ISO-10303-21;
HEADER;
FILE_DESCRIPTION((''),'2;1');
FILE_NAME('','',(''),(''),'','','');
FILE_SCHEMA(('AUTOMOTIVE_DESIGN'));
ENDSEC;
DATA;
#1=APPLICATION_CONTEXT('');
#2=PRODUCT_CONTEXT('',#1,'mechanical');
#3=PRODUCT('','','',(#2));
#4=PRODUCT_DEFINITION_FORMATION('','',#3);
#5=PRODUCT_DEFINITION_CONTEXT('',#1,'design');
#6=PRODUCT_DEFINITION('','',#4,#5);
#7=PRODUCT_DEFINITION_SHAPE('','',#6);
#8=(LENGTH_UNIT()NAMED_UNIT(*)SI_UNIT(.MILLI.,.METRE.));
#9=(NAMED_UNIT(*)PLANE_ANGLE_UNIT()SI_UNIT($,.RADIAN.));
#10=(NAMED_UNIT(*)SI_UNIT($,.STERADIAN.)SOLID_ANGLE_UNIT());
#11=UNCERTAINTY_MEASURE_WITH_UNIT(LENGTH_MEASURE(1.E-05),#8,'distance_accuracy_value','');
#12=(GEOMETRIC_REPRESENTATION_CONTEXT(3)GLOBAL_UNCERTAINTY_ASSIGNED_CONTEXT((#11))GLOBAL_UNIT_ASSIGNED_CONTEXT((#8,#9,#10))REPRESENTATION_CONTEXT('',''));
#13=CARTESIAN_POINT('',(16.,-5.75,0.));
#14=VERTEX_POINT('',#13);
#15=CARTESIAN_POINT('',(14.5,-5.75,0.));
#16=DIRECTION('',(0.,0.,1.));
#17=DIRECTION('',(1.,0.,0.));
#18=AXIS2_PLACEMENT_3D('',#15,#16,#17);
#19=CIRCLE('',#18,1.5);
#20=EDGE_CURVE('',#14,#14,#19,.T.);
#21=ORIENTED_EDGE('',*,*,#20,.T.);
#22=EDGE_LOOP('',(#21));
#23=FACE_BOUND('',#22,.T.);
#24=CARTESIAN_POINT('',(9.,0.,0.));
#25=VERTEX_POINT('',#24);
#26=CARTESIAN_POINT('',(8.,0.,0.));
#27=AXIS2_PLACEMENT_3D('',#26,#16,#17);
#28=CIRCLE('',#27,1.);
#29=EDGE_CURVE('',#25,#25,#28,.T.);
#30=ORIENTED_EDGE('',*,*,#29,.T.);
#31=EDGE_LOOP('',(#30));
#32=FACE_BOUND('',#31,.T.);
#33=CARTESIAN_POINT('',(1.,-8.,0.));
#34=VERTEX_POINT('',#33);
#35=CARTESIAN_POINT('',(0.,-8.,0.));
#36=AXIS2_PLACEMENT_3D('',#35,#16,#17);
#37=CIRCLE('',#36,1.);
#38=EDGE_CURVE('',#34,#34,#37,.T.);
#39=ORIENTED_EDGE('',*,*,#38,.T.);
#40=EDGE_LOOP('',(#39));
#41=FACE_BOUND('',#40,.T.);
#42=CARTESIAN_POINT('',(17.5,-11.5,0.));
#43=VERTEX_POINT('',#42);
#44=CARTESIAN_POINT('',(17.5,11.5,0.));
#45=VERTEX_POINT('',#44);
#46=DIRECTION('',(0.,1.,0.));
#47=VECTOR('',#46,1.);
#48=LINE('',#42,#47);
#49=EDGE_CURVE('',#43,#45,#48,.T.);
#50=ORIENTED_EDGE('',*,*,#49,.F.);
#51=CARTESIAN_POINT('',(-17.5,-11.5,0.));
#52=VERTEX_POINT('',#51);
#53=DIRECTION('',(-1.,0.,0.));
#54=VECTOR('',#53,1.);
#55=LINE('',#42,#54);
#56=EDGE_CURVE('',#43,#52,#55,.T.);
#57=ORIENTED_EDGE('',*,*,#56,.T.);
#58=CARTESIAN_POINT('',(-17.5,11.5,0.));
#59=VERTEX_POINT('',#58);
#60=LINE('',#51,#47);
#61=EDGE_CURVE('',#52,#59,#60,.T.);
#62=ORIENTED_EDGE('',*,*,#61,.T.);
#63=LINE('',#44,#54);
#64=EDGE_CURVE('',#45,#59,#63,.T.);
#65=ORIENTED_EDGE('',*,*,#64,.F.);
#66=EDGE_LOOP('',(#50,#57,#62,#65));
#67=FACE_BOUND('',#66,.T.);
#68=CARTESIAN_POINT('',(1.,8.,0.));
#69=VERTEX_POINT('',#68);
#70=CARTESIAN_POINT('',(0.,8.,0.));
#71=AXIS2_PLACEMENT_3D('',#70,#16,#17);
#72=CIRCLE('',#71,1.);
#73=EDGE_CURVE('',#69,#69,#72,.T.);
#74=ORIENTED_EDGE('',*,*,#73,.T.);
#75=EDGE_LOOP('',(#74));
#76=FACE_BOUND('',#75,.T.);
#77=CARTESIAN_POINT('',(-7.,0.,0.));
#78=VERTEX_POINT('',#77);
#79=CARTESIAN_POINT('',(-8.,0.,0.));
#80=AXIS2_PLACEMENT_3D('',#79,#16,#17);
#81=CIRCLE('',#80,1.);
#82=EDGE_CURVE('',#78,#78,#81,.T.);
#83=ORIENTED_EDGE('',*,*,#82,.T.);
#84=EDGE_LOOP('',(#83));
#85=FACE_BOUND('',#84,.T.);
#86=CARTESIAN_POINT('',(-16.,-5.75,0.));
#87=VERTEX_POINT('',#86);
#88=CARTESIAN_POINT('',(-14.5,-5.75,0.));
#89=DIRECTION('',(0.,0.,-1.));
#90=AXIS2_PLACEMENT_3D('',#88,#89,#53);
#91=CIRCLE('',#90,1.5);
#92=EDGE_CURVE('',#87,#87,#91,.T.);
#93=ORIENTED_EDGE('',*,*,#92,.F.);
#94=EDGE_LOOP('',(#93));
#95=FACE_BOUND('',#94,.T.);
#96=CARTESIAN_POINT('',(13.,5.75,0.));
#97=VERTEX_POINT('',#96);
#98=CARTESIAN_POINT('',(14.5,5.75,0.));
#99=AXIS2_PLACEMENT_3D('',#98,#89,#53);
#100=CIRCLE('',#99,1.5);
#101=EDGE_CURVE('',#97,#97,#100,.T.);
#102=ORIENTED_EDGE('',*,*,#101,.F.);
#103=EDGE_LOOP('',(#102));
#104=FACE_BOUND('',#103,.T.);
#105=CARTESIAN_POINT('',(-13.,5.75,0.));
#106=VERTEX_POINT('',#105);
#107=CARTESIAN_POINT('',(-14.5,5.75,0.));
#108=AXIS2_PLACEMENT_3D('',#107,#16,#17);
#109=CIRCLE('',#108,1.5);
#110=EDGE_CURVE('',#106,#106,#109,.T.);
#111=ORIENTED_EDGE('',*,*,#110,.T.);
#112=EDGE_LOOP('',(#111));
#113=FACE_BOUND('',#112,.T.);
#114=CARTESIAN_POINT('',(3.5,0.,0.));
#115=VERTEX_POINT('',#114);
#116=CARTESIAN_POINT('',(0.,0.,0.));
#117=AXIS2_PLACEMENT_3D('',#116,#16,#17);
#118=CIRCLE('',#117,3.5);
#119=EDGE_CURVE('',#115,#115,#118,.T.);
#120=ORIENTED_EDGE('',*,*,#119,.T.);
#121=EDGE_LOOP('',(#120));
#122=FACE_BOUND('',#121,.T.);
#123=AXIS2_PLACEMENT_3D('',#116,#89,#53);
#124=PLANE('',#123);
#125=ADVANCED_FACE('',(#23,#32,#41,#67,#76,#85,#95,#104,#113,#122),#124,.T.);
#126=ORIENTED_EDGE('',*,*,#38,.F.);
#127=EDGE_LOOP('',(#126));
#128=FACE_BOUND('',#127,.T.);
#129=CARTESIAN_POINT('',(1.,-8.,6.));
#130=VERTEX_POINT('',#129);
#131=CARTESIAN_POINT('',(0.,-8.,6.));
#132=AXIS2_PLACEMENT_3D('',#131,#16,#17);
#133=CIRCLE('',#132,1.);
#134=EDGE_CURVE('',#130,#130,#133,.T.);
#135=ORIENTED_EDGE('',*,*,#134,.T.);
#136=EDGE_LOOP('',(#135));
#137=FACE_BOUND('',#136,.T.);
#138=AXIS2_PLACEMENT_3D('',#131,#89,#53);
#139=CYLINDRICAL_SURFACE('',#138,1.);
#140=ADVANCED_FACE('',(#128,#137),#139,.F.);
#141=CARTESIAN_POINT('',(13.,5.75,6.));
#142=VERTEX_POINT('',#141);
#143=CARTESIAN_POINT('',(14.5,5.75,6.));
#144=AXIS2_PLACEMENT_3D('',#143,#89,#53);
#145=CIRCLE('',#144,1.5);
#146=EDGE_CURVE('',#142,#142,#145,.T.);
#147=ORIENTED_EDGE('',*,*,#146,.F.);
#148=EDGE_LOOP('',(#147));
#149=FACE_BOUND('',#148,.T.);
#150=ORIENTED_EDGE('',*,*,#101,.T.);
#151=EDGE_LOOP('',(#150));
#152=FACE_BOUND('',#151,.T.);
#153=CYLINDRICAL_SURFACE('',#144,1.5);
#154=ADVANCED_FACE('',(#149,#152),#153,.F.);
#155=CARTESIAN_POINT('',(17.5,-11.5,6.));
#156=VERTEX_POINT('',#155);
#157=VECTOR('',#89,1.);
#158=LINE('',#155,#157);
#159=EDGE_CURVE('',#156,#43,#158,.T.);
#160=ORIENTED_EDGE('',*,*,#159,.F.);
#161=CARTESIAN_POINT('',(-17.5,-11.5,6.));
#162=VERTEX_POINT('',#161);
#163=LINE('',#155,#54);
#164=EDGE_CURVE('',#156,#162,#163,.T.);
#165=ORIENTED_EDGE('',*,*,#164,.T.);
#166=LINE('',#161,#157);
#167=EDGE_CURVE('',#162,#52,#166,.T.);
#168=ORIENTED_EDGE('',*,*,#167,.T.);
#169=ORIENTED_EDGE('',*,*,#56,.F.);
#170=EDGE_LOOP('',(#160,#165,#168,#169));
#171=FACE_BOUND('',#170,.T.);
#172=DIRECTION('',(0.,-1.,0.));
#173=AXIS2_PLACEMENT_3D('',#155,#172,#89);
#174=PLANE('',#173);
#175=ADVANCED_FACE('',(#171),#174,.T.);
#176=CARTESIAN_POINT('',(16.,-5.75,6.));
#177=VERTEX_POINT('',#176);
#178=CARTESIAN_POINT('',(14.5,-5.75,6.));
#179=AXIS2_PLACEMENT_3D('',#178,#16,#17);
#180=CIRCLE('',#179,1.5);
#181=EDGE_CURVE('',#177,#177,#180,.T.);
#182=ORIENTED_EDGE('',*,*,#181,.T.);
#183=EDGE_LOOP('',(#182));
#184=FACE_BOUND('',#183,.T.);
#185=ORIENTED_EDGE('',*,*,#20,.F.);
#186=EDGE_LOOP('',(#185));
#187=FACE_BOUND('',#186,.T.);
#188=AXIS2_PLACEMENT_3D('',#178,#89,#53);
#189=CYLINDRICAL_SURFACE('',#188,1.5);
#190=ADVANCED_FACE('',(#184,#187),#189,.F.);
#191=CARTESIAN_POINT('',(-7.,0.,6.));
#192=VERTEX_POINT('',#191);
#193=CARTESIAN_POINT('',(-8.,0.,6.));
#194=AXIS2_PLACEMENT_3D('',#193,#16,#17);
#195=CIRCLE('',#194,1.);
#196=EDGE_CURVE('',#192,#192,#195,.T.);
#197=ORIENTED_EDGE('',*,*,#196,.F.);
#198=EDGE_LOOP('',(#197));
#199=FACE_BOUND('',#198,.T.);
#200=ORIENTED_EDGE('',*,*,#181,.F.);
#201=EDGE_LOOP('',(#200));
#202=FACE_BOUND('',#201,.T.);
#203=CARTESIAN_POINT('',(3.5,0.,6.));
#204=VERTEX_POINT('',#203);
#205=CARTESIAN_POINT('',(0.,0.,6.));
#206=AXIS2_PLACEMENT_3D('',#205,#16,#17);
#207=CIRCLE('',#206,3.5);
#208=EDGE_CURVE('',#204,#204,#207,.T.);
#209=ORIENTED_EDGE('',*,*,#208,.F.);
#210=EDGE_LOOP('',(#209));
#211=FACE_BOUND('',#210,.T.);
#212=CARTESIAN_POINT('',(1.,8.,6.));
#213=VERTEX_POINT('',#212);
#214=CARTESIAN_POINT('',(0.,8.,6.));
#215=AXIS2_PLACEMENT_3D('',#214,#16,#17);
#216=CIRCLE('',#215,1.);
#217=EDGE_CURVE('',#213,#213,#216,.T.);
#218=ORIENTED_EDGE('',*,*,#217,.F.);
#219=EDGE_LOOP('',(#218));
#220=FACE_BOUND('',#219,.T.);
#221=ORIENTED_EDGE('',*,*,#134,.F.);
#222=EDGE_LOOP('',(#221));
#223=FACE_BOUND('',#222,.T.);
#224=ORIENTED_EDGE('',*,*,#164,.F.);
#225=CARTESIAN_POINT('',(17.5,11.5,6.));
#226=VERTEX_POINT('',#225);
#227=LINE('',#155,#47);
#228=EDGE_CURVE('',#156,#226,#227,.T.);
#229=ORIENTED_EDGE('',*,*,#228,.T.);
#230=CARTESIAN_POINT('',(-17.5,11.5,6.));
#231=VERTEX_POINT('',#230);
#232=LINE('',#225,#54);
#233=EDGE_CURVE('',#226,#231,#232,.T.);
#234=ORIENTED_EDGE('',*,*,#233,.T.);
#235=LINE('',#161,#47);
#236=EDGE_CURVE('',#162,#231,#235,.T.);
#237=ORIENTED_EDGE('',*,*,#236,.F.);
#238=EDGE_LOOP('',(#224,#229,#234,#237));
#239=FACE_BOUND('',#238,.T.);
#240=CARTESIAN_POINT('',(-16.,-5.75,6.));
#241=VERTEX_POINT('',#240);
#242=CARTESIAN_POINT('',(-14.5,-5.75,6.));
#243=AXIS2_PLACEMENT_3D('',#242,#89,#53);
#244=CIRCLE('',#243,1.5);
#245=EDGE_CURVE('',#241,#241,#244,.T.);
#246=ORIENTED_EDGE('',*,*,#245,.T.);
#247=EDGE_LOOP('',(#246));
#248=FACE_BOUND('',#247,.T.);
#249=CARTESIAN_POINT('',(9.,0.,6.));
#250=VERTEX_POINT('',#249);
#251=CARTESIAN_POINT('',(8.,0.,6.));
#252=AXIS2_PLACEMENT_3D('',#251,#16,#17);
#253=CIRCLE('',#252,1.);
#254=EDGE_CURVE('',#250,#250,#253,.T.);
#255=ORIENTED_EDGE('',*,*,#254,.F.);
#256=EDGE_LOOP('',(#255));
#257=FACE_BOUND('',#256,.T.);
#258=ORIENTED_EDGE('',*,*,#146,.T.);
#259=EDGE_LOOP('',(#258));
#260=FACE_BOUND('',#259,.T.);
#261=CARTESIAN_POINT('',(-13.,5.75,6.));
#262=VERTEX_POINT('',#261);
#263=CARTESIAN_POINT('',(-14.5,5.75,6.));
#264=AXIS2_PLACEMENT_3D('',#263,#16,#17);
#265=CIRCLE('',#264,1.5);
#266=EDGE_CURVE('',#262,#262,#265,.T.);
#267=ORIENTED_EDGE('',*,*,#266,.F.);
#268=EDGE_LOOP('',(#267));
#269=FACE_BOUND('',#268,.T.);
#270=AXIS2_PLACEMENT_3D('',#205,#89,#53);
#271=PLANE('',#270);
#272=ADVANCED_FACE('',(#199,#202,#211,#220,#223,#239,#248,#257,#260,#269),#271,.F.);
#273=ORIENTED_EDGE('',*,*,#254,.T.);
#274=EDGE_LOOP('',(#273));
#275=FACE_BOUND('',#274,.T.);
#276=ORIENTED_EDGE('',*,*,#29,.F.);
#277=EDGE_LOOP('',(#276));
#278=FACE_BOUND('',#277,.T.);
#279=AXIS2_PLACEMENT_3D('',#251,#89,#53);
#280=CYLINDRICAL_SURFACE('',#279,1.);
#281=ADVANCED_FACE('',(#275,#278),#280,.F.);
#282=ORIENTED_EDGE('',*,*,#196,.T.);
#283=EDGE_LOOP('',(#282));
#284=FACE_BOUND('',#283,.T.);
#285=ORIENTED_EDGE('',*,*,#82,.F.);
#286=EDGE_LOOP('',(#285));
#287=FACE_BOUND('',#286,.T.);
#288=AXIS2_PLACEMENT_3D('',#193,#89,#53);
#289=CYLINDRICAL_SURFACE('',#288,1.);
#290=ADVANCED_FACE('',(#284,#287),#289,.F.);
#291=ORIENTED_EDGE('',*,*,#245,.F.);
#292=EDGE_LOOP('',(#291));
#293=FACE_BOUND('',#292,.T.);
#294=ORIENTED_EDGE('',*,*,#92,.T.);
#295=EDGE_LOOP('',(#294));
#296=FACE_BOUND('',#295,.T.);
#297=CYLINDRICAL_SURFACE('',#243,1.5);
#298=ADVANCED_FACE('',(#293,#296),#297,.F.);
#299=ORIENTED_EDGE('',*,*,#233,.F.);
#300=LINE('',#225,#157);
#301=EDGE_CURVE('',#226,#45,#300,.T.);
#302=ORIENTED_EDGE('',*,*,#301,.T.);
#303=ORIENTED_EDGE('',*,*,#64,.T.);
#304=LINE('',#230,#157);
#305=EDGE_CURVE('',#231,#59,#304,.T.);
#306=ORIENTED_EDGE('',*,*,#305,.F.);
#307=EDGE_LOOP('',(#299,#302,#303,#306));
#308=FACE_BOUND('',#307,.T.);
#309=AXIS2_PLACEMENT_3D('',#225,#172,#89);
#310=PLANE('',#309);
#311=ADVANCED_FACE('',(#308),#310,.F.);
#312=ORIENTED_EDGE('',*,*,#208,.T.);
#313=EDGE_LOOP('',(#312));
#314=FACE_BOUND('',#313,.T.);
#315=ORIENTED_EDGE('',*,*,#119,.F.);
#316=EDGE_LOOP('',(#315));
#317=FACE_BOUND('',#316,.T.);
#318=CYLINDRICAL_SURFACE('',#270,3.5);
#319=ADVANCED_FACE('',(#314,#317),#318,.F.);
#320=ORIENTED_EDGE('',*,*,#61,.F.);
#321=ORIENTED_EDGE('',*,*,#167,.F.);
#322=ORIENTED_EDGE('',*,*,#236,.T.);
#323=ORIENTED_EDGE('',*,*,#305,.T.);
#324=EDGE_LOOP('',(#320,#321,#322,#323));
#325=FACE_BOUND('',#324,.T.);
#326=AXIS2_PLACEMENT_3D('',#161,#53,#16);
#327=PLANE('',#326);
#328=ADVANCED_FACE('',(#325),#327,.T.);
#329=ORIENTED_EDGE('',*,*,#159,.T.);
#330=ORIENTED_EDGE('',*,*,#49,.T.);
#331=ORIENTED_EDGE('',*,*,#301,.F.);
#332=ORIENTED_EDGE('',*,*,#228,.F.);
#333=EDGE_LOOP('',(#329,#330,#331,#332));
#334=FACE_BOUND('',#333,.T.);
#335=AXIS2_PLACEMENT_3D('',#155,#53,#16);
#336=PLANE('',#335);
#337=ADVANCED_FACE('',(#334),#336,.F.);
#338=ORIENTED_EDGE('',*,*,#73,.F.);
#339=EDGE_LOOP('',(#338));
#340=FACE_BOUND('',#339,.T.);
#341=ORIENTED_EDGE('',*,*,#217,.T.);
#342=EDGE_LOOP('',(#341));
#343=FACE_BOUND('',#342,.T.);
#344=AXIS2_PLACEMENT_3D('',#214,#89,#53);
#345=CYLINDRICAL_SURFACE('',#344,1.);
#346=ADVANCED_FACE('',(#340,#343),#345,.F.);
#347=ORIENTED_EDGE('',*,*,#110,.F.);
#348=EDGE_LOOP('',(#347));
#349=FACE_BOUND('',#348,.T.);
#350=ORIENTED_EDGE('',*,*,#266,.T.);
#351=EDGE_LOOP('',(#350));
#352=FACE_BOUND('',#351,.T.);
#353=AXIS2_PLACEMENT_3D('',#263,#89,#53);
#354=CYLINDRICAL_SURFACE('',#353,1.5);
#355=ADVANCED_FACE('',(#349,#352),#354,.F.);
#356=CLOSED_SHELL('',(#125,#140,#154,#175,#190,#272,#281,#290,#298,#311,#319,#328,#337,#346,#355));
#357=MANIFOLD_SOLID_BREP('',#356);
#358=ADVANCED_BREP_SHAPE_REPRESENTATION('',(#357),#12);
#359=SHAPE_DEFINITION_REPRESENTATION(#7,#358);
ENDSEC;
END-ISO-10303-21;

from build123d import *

# Parameters (mm, degrees)
ESQUISSE1_W        = 35
ESQUISSE1_H        = 23
ESQUISSE1_R        = 3.5
ESQUISSE1_R_2      = 1
ESQUISSE1_R_3      = 1.5
BOSS_EXTRU_1_DEPTH = 6


with BuildPart() as part:
    # Esquisse1 → Boss.-Extru.1 (new body)
    with BuildSketch(Plane.XY):
        Rectangle(ESQUISSE1_W, ESQUISSE1_H)
        Circle(ESQUISSE1_R, mode=Mode.SUBTRACT)
        with Locations((0, 8)):
            Circle(ESQUISSE1_R_2, mode=Mode.SUBTRACT)
        with Locations((8, 0)):
            Circle(ESQUISSE1_R_2, mode=Mode.SUBTRACT)
        with Locations((0, -8)):
            Circle(ESQUISSE1_R_2, mode=Mode.SUBTRACT)
        with Locations((-8, 0)):
            Circle(ESQUISSE1_R_2, mode=Mode.SUBTRACT)
        with Locations((-14.5, 5.75)):
            Circle(ESQUISSE1_R_3, mode=Mode.SUBTRACT)
        with Locations(Location((-14.5, -5.75, 0), (0, 0, 180))):
            Circle(ESQUISSE1_R_3, mode=Mode.SUBTRACT)
        with Locations((14.5, -5.75)):
            Circle(ESQUISSE1_R_3, mode=Mode.SUBTRACT)
        with Locations(Location((14.5, 5.75, 0), (0, 0, 180))):
            Circle(ESQUISSE1_R_3, mode=Mode.SUBTRACT)
    extrude(amount=BOSS_EXTRU_1_DEPTH)


solid = part.part
